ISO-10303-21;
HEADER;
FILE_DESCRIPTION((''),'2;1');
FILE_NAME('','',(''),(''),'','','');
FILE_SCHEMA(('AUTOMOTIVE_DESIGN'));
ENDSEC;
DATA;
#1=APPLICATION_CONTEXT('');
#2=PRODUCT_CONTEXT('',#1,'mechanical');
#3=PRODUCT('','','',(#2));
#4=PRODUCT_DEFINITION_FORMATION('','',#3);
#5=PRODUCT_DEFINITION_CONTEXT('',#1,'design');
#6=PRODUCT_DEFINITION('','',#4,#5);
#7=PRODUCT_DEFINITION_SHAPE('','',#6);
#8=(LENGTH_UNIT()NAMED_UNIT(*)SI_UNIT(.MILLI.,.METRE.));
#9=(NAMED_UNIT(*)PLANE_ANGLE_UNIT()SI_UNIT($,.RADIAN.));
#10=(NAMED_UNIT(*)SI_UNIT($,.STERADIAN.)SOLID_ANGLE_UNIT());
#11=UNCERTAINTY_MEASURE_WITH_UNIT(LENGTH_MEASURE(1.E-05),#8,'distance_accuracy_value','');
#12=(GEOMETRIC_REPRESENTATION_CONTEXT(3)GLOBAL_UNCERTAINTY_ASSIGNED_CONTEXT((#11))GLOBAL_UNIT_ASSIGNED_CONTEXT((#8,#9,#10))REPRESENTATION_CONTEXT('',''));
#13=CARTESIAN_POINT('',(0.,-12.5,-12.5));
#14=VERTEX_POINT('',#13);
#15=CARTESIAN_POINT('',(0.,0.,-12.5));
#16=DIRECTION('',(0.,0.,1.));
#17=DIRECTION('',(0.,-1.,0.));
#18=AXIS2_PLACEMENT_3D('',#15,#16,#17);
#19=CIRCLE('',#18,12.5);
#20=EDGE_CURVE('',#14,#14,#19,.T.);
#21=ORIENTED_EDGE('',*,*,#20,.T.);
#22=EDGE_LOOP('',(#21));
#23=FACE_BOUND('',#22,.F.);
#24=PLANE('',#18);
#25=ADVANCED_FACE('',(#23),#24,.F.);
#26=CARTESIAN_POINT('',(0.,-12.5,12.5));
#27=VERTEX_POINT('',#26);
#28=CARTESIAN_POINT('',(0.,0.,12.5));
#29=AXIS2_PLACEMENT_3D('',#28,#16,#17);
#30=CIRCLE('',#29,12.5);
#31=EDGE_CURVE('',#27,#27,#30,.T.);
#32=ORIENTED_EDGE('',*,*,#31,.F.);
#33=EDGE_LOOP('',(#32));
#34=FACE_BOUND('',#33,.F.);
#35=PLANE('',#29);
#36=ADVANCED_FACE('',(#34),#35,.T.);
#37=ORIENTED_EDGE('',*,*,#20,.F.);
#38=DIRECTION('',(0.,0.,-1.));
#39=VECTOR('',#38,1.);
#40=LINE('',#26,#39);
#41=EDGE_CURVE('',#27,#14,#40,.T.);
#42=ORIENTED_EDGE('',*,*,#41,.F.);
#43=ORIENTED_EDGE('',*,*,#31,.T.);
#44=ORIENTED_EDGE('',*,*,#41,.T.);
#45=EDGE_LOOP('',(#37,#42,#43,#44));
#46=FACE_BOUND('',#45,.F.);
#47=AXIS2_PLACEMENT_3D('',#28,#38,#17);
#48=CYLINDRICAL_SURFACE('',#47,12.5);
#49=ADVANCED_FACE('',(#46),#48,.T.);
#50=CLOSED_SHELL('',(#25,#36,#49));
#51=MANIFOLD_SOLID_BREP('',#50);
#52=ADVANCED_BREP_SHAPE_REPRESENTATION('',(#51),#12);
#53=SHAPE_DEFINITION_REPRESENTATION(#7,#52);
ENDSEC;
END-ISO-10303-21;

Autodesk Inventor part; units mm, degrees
ref_plane "YZ Plane" through (0, 0, 0) normal (1, 0, 0) x (0, 1, 0)
ref_plane "XZ Plane" through (0, 0, 0) normal (0, 1, 0) x (-1, 0, 0)
ref_plane "XY Plane" through (0, 0, 0) normal (0, 0, 1) x (1, 0, 0)
sketch "Sketch2" plane through (0, 0, 0) normal (1, 0, 0) x (0, 1, 0)
  line L0 (0, 12.5) -> (-12.5, 12.5)
  line L1 (-12.5, 12.5) -> (-12.5, -12.5)
  line L2 (-12.5, -12.5) -> (0, -12.5)
  line L3 (0, -12.5) -> (0, 12.5)
  point P0 (0, 0)
  point P1 (0, 0)
  dimension "d4" = 25
  dimension "d7" = 25
revolve "Revolution1" add sketch "Sketch2" angle 360 about axis through (0, 0, -12.5) along (0, 0, 1)
properties part number "Cylinder, Center Constrained (mm)" material "Steel, MS"
